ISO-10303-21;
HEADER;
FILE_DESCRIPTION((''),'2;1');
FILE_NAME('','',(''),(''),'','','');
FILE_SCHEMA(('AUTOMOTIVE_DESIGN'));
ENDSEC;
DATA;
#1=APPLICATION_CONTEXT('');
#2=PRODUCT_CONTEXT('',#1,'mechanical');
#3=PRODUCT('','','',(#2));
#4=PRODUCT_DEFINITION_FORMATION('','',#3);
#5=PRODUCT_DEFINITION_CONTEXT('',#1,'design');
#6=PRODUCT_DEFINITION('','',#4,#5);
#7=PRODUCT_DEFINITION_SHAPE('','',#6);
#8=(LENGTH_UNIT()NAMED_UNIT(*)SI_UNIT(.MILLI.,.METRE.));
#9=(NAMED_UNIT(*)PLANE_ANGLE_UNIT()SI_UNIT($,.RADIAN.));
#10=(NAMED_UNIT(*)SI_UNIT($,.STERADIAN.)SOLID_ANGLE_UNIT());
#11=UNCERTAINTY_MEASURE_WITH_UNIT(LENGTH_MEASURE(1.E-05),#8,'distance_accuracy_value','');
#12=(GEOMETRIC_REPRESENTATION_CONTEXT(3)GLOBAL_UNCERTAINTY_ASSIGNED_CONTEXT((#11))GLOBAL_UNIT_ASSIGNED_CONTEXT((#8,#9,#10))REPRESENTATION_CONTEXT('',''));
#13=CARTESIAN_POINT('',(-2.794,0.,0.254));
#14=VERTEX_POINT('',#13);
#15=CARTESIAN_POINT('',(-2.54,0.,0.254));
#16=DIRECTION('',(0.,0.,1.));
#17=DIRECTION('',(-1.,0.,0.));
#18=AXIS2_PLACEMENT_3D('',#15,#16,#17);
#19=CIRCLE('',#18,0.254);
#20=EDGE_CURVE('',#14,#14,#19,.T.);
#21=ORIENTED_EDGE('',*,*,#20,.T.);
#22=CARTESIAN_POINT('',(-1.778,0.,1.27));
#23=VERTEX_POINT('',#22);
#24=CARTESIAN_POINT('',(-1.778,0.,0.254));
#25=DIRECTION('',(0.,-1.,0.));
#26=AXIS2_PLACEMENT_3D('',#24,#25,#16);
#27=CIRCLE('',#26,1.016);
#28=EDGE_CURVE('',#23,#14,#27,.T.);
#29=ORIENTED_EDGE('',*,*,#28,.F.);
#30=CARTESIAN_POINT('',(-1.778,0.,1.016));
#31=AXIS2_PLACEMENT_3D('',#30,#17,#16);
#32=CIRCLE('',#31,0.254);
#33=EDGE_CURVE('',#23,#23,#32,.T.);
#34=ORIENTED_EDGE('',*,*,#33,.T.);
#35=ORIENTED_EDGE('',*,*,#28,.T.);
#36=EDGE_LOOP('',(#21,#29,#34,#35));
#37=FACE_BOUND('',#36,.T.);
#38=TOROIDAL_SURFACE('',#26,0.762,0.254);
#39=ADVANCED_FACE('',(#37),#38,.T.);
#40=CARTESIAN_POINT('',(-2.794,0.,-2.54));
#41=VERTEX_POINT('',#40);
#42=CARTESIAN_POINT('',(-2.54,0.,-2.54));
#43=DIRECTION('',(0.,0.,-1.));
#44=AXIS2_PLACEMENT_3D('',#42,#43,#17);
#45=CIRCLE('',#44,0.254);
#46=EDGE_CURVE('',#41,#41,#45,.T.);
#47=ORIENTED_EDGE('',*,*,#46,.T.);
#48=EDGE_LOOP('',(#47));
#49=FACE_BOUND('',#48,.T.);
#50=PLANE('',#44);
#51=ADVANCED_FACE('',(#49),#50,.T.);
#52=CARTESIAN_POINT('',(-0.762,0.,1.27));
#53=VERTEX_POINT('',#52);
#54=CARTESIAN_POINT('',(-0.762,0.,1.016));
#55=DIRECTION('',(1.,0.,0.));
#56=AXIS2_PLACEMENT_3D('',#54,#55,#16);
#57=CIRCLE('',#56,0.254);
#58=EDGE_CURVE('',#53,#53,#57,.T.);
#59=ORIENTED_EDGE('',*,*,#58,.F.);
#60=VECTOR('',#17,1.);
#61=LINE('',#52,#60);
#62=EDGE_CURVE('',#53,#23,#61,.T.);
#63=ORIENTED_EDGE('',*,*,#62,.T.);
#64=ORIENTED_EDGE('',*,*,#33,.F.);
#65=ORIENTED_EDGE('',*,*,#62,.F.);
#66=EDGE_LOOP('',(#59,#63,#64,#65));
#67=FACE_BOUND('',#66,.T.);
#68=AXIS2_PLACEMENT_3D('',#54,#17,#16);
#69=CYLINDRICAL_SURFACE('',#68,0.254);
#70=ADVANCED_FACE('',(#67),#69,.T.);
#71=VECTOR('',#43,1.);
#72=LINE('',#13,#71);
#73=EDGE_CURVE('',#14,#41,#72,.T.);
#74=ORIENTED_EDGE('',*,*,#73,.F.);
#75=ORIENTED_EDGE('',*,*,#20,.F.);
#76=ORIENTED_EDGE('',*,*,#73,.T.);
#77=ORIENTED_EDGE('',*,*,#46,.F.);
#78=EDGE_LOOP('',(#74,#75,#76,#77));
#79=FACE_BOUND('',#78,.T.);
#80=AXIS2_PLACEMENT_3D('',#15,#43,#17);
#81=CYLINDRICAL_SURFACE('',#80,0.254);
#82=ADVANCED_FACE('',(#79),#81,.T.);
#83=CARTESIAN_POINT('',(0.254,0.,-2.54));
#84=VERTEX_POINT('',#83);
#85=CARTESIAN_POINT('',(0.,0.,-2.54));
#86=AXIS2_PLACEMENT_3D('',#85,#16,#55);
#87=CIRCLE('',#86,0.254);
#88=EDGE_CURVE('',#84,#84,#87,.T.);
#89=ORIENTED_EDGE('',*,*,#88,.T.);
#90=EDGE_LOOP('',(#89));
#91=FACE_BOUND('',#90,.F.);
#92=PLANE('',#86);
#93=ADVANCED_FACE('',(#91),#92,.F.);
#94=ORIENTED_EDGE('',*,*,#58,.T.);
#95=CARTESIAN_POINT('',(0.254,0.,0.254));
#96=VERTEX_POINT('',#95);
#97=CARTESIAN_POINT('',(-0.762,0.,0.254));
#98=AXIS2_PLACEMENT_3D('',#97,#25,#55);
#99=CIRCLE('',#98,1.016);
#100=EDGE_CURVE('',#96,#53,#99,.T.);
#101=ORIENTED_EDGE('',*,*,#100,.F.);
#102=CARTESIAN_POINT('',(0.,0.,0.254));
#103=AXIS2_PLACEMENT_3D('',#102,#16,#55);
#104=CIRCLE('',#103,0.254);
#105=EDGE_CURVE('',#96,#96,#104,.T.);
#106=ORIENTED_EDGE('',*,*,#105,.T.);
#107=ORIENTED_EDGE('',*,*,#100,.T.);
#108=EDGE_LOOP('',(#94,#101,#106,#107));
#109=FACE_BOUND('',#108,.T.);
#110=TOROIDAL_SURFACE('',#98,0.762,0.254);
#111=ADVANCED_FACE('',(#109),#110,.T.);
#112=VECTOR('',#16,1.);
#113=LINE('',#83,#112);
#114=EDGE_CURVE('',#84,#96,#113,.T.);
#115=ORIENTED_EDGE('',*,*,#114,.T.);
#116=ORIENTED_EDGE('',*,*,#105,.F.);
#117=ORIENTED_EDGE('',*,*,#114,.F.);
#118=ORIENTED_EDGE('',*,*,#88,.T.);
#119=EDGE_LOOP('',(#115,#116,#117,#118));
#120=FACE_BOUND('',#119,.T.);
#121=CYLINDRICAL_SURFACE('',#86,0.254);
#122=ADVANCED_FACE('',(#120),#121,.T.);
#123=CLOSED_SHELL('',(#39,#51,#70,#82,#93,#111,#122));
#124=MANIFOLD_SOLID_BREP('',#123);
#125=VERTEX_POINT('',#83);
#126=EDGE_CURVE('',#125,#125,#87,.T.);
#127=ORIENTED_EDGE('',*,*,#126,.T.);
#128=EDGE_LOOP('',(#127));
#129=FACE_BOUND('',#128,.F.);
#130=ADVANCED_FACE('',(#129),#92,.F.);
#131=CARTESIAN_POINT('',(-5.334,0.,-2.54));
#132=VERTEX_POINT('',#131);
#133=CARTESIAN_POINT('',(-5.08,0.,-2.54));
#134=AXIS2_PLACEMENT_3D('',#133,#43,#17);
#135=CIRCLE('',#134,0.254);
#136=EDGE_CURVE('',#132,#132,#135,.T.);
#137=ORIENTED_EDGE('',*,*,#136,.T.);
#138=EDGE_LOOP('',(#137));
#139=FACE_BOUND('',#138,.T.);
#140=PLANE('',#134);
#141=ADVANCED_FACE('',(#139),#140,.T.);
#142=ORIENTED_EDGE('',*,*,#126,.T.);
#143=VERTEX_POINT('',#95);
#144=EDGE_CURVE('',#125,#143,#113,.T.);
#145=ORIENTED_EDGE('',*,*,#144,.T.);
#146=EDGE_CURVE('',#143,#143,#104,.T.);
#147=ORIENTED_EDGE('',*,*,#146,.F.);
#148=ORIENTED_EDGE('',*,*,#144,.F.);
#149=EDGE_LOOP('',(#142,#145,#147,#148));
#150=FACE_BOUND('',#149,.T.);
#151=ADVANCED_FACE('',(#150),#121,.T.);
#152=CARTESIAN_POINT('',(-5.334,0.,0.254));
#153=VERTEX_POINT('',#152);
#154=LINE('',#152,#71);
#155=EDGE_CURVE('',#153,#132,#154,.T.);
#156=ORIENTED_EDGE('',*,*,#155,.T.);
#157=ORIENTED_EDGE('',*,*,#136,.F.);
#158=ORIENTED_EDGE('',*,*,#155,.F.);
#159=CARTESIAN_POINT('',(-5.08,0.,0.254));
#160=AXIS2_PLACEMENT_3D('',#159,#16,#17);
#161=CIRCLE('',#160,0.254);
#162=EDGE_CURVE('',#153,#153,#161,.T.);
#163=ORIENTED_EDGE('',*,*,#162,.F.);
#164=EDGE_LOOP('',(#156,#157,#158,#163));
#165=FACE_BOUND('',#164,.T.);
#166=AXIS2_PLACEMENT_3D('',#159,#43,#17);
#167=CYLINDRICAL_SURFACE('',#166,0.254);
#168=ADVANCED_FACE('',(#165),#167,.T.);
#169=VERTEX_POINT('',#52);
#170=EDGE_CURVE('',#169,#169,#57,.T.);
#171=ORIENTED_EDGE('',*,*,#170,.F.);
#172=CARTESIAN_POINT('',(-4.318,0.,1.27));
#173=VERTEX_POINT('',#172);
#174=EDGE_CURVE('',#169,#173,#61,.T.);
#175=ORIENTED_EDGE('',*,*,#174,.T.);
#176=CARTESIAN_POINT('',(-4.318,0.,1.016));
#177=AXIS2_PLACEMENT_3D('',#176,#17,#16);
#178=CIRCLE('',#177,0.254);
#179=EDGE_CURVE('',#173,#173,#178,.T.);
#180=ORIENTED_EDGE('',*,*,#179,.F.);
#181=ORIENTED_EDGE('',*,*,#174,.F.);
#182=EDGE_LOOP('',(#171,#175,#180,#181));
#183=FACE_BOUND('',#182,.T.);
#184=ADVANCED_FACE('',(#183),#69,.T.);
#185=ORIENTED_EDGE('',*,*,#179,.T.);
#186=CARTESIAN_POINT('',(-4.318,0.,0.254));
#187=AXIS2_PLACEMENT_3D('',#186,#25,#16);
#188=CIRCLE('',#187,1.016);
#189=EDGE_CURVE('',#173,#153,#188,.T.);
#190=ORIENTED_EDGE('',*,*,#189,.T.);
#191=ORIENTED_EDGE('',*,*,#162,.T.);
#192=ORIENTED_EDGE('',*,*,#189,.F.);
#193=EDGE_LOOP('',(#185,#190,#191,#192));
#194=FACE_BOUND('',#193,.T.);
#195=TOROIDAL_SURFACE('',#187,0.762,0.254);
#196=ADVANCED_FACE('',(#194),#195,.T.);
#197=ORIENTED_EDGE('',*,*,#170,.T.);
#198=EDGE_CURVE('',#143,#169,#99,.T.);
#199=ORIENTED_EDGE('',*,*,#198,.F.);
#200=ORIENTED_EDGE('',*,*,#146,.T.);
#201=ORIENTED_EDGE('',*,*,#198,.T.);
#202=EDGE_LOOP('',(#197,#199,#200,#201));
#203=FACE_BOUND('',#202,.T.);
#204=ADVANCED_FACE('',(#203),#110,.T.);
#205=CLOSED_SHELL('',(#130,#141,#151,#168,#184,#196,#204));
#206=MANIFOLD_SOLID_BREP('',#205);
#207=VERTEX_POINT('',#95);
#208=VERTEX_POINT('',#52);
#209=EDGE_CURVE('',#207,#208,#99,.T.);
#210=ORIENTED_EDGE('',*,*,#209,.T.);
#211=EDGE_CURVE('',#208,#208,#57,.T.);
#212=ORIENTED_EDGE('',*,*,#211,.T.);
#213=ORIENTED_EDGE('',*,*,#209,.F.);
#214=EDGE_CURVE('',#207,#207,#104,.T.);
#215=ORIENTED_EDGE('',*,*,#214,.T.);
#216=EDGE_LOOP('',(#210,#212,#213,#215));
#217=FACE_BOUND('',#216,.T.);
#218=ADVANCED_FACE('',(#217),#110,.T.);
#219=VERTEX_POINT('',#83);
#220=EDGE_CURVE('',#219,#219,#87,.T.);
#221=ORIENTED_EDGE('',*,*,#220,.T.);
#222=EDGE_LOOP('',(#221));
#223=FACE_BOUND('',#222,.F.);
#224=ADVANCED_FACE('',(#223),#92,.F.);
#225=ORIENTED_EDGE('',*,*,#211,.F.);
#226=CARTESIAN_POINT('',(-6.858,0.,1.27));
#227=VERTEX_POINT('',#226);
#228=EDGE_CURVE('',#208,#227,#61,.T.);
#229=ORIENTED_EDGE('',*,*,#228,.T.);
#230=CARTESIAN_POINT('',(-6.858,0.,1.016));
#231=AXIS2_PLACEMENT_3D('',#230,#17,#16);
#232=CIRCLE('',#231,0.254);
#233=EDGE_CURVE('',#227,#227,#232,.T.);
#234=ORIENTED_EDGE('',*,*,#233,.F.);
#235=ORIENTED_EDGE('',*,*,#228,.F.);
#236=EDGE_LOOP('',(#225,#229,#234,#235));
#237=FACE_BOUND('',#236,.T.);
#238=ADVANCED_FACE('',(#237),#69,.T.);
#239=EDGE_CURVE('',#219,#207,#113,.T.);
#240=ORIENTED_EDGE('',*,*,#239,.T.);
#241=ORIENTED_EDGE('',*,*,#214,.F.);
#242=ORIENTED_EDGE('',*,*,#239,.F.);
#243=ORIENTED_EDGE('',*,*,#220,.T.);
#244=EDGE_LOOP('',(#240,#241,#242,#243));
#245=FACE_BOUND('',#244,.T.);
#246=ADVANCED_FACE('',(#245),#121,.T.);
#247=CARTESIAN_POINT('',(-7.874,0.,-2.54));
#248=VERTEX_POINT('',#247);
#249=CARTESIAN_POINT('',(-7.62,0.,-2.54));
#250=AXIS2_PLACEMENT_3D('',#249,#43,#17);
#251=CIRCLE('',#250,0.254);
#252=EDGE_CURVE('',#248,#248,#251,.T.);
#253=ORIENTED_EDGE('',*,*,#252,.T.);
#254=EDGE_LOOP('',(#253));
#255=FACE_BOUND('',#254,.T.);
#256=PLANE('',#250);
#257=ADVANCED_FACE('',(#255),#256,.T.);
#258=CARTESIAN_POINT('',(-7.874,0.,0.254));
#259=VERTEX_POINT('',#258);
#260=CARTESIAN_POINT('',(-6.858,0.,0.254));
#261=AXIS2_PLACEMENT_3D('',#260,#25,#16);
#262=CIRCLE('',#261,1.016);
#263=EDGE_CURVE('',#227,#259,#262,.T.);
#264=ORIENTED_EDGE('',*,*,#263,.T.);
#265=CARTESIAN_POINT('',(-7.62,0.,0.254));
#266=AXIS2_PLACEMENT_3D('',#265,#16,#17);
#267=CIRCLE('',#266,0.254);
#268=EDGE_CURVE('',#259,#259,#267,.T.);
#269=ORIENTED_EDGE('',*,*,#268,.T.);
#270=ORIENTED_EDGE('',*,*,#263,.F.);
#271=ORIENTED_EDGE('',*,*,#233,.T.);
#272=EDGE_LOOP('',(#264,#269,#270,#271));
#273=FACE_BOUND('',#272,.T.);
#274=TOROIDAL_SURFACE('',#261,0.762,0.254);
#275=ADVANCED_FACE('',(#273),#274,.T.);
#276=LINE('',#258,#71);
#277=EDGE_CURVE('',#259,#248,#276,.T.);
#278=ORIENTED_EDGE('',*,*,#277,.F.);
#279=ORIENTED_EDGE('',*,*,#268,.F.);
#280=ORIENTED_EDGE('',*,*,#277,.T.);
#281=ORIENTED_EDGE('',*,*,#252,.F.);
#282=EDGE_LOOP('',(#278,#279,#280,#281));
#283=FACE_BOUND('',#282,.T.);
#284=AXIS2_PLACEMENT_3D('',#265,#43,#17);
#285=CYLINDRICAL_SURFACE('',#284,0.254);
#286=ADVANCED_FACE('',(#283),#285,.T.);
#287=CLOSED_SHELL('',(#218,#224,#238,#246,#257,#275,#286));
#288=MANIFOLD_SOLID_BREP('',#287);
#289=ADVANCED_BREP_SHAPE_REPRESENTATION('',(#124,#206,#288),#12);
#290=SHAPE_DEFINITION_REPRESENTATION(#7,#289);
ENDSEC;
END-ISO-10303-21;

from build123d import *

# Parameters (mm, degrees)
F2_R = 0.254


with BuildPart() as f3:
    # F3: sweep along a path in F0
    with BuildLine(Plane.XZ) as f3_path:
        Line((0, -2.54), (0, 0.254))
        ThreePointArc((0, 0.254), (-0.2231846327, 0.7928153673), (-0.762, 1.016))
        Line((-0.762, 1.016), (-4.318, 1.016))
        ThreePointArc((-4.318, 1.016), (-4.8568153673, 0.7928153673), (-5.08, 0.254))
        Line((-5.08, 0.254), (-5.08, -2.54))
    # F2 (on offset) → F3 (sweep)
    with BuildSketch(Plane.XY.offset(-2.54)):
        Circle(F2_R)
    sweep(path=f3_path.line)


with BuildPart() as f5:
    # F5: sweep along a path in F4
    with BuildLine(Plane.XZ) as f5_path:
        Line((0, -2.54), (0, 0.254))
        ThreePointArc((0, 0.254), (-0.2231846327, 0.7928153673), (-0.762, 1.016))
        Line((-0.762, 1.016), (-6.858, 1.016))
        ThreePointArc((-6.858, 1.016), (-7.3968153673, 0.7928153673), (-7.62, 0.254))
        Line((-7.62, 0.254), (-7.62, -2.54))
    # F2 (on offset) → F5 (sweep)
    with BuildSketch(Plane.XY.offset(-2.54)):
        Circle(F2_R)
    sweep(path=f5_path.line)


with BuildPart() as f7:
    # F7: sweep along a path in F6
    with BuildLine(Plane.XZ) as f7_path:
        Line((0, -2.54), (0, 0.254))
        ThreePointArc((0, 0.254), (-0.2231846327, 0.7928153673), (-0.762, 1.016))
        Line((-0.762, 1.016), (-1.778, 1.016))
        ThreePointArc((-1.778, 1.016), (-2.3168153673, 0.7928153673), (-2.54, 0.254))
        Line((-2.54, 0.254), (-2.54, -2.54))
    # F2 (on offset) → F7 (sweep)
    with BuildSketch(Plane.XY.offset(-2.54)):
        Circle(F2_R)
    sweep(path=f7_path.line)


solid = Compound([f3.part, f5.part, f7.part])
